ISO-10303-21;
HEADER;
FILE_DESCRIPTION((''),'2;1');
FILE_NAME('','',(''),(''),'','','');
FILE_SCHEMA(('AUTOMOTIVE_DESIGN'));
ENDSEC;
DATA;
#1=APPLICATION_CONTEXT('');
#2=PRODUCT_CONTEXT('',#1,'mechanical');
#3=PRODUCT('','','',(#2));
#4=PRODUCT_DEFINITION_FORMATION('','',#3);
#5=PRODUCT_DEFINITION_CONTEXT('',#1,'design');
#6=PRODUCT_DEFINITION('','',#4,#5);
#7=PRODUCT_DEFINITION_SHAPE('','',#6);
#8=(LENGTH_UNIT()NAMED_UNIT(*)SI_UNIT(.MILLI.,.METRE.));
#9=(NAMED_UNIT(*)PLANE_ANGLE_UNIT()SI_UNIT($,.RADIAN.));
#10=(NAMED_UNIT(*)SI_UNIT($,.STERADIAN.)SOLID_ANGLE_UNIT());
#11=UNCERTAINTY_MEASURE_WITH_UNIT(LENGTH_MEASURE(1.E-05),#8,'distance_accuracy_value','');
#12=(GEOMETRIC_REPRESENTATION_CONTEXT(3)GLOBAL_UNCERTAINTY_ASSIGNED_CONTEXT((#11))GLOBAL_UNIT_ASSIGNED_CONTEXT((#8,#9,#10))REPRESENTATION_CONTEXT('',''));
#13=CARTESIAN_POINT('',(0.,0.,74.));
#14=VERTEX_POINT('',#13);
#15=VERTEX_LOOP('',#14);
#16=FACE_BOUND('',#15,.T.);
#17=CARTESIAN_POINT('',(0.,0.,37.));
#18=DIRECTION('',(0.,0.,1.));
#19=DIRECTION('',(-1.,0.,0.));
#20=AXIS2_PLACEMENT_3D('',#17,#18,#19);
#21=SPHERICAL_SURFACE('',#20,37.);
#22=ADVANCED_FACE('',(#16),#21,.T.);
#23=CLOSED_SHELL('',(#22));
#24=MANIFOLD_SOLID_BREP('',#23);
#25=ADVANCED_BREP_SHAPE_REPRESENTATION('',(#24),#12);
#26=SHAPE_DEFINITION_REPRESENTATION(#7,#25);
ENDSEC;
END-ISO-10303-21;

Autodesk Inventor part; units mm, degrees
ref_plane "YZ Plane" through (0, 0, 0) normal (1, 0, 0) x (0, 1, 0)
ref_plane "XZ Plane" through (0, 0, 0) normal (0, 1, 0) x (-1, 0, 0)
ref_plane "XY Plane" through (0, 0, 0) normal (0, 0, 1) x (1, 0, 0)
sketch "Sketch1" plane through (0, 0, 0) normal (0, 1, 0) x (-1, 0, 0)
  line L0 (0, 0) -> (0, 74)
  arc A0 (0, 0) -> (0, 74) centre (0, 37) ccw
  dimension "d0" = 74
  dimension "d0" = 74
revolve "Revolution1" add sketch "Sketch1" angle 360 about axis through (0, 0, 0) along (0, 0, 1)
properties part number "Ball"
